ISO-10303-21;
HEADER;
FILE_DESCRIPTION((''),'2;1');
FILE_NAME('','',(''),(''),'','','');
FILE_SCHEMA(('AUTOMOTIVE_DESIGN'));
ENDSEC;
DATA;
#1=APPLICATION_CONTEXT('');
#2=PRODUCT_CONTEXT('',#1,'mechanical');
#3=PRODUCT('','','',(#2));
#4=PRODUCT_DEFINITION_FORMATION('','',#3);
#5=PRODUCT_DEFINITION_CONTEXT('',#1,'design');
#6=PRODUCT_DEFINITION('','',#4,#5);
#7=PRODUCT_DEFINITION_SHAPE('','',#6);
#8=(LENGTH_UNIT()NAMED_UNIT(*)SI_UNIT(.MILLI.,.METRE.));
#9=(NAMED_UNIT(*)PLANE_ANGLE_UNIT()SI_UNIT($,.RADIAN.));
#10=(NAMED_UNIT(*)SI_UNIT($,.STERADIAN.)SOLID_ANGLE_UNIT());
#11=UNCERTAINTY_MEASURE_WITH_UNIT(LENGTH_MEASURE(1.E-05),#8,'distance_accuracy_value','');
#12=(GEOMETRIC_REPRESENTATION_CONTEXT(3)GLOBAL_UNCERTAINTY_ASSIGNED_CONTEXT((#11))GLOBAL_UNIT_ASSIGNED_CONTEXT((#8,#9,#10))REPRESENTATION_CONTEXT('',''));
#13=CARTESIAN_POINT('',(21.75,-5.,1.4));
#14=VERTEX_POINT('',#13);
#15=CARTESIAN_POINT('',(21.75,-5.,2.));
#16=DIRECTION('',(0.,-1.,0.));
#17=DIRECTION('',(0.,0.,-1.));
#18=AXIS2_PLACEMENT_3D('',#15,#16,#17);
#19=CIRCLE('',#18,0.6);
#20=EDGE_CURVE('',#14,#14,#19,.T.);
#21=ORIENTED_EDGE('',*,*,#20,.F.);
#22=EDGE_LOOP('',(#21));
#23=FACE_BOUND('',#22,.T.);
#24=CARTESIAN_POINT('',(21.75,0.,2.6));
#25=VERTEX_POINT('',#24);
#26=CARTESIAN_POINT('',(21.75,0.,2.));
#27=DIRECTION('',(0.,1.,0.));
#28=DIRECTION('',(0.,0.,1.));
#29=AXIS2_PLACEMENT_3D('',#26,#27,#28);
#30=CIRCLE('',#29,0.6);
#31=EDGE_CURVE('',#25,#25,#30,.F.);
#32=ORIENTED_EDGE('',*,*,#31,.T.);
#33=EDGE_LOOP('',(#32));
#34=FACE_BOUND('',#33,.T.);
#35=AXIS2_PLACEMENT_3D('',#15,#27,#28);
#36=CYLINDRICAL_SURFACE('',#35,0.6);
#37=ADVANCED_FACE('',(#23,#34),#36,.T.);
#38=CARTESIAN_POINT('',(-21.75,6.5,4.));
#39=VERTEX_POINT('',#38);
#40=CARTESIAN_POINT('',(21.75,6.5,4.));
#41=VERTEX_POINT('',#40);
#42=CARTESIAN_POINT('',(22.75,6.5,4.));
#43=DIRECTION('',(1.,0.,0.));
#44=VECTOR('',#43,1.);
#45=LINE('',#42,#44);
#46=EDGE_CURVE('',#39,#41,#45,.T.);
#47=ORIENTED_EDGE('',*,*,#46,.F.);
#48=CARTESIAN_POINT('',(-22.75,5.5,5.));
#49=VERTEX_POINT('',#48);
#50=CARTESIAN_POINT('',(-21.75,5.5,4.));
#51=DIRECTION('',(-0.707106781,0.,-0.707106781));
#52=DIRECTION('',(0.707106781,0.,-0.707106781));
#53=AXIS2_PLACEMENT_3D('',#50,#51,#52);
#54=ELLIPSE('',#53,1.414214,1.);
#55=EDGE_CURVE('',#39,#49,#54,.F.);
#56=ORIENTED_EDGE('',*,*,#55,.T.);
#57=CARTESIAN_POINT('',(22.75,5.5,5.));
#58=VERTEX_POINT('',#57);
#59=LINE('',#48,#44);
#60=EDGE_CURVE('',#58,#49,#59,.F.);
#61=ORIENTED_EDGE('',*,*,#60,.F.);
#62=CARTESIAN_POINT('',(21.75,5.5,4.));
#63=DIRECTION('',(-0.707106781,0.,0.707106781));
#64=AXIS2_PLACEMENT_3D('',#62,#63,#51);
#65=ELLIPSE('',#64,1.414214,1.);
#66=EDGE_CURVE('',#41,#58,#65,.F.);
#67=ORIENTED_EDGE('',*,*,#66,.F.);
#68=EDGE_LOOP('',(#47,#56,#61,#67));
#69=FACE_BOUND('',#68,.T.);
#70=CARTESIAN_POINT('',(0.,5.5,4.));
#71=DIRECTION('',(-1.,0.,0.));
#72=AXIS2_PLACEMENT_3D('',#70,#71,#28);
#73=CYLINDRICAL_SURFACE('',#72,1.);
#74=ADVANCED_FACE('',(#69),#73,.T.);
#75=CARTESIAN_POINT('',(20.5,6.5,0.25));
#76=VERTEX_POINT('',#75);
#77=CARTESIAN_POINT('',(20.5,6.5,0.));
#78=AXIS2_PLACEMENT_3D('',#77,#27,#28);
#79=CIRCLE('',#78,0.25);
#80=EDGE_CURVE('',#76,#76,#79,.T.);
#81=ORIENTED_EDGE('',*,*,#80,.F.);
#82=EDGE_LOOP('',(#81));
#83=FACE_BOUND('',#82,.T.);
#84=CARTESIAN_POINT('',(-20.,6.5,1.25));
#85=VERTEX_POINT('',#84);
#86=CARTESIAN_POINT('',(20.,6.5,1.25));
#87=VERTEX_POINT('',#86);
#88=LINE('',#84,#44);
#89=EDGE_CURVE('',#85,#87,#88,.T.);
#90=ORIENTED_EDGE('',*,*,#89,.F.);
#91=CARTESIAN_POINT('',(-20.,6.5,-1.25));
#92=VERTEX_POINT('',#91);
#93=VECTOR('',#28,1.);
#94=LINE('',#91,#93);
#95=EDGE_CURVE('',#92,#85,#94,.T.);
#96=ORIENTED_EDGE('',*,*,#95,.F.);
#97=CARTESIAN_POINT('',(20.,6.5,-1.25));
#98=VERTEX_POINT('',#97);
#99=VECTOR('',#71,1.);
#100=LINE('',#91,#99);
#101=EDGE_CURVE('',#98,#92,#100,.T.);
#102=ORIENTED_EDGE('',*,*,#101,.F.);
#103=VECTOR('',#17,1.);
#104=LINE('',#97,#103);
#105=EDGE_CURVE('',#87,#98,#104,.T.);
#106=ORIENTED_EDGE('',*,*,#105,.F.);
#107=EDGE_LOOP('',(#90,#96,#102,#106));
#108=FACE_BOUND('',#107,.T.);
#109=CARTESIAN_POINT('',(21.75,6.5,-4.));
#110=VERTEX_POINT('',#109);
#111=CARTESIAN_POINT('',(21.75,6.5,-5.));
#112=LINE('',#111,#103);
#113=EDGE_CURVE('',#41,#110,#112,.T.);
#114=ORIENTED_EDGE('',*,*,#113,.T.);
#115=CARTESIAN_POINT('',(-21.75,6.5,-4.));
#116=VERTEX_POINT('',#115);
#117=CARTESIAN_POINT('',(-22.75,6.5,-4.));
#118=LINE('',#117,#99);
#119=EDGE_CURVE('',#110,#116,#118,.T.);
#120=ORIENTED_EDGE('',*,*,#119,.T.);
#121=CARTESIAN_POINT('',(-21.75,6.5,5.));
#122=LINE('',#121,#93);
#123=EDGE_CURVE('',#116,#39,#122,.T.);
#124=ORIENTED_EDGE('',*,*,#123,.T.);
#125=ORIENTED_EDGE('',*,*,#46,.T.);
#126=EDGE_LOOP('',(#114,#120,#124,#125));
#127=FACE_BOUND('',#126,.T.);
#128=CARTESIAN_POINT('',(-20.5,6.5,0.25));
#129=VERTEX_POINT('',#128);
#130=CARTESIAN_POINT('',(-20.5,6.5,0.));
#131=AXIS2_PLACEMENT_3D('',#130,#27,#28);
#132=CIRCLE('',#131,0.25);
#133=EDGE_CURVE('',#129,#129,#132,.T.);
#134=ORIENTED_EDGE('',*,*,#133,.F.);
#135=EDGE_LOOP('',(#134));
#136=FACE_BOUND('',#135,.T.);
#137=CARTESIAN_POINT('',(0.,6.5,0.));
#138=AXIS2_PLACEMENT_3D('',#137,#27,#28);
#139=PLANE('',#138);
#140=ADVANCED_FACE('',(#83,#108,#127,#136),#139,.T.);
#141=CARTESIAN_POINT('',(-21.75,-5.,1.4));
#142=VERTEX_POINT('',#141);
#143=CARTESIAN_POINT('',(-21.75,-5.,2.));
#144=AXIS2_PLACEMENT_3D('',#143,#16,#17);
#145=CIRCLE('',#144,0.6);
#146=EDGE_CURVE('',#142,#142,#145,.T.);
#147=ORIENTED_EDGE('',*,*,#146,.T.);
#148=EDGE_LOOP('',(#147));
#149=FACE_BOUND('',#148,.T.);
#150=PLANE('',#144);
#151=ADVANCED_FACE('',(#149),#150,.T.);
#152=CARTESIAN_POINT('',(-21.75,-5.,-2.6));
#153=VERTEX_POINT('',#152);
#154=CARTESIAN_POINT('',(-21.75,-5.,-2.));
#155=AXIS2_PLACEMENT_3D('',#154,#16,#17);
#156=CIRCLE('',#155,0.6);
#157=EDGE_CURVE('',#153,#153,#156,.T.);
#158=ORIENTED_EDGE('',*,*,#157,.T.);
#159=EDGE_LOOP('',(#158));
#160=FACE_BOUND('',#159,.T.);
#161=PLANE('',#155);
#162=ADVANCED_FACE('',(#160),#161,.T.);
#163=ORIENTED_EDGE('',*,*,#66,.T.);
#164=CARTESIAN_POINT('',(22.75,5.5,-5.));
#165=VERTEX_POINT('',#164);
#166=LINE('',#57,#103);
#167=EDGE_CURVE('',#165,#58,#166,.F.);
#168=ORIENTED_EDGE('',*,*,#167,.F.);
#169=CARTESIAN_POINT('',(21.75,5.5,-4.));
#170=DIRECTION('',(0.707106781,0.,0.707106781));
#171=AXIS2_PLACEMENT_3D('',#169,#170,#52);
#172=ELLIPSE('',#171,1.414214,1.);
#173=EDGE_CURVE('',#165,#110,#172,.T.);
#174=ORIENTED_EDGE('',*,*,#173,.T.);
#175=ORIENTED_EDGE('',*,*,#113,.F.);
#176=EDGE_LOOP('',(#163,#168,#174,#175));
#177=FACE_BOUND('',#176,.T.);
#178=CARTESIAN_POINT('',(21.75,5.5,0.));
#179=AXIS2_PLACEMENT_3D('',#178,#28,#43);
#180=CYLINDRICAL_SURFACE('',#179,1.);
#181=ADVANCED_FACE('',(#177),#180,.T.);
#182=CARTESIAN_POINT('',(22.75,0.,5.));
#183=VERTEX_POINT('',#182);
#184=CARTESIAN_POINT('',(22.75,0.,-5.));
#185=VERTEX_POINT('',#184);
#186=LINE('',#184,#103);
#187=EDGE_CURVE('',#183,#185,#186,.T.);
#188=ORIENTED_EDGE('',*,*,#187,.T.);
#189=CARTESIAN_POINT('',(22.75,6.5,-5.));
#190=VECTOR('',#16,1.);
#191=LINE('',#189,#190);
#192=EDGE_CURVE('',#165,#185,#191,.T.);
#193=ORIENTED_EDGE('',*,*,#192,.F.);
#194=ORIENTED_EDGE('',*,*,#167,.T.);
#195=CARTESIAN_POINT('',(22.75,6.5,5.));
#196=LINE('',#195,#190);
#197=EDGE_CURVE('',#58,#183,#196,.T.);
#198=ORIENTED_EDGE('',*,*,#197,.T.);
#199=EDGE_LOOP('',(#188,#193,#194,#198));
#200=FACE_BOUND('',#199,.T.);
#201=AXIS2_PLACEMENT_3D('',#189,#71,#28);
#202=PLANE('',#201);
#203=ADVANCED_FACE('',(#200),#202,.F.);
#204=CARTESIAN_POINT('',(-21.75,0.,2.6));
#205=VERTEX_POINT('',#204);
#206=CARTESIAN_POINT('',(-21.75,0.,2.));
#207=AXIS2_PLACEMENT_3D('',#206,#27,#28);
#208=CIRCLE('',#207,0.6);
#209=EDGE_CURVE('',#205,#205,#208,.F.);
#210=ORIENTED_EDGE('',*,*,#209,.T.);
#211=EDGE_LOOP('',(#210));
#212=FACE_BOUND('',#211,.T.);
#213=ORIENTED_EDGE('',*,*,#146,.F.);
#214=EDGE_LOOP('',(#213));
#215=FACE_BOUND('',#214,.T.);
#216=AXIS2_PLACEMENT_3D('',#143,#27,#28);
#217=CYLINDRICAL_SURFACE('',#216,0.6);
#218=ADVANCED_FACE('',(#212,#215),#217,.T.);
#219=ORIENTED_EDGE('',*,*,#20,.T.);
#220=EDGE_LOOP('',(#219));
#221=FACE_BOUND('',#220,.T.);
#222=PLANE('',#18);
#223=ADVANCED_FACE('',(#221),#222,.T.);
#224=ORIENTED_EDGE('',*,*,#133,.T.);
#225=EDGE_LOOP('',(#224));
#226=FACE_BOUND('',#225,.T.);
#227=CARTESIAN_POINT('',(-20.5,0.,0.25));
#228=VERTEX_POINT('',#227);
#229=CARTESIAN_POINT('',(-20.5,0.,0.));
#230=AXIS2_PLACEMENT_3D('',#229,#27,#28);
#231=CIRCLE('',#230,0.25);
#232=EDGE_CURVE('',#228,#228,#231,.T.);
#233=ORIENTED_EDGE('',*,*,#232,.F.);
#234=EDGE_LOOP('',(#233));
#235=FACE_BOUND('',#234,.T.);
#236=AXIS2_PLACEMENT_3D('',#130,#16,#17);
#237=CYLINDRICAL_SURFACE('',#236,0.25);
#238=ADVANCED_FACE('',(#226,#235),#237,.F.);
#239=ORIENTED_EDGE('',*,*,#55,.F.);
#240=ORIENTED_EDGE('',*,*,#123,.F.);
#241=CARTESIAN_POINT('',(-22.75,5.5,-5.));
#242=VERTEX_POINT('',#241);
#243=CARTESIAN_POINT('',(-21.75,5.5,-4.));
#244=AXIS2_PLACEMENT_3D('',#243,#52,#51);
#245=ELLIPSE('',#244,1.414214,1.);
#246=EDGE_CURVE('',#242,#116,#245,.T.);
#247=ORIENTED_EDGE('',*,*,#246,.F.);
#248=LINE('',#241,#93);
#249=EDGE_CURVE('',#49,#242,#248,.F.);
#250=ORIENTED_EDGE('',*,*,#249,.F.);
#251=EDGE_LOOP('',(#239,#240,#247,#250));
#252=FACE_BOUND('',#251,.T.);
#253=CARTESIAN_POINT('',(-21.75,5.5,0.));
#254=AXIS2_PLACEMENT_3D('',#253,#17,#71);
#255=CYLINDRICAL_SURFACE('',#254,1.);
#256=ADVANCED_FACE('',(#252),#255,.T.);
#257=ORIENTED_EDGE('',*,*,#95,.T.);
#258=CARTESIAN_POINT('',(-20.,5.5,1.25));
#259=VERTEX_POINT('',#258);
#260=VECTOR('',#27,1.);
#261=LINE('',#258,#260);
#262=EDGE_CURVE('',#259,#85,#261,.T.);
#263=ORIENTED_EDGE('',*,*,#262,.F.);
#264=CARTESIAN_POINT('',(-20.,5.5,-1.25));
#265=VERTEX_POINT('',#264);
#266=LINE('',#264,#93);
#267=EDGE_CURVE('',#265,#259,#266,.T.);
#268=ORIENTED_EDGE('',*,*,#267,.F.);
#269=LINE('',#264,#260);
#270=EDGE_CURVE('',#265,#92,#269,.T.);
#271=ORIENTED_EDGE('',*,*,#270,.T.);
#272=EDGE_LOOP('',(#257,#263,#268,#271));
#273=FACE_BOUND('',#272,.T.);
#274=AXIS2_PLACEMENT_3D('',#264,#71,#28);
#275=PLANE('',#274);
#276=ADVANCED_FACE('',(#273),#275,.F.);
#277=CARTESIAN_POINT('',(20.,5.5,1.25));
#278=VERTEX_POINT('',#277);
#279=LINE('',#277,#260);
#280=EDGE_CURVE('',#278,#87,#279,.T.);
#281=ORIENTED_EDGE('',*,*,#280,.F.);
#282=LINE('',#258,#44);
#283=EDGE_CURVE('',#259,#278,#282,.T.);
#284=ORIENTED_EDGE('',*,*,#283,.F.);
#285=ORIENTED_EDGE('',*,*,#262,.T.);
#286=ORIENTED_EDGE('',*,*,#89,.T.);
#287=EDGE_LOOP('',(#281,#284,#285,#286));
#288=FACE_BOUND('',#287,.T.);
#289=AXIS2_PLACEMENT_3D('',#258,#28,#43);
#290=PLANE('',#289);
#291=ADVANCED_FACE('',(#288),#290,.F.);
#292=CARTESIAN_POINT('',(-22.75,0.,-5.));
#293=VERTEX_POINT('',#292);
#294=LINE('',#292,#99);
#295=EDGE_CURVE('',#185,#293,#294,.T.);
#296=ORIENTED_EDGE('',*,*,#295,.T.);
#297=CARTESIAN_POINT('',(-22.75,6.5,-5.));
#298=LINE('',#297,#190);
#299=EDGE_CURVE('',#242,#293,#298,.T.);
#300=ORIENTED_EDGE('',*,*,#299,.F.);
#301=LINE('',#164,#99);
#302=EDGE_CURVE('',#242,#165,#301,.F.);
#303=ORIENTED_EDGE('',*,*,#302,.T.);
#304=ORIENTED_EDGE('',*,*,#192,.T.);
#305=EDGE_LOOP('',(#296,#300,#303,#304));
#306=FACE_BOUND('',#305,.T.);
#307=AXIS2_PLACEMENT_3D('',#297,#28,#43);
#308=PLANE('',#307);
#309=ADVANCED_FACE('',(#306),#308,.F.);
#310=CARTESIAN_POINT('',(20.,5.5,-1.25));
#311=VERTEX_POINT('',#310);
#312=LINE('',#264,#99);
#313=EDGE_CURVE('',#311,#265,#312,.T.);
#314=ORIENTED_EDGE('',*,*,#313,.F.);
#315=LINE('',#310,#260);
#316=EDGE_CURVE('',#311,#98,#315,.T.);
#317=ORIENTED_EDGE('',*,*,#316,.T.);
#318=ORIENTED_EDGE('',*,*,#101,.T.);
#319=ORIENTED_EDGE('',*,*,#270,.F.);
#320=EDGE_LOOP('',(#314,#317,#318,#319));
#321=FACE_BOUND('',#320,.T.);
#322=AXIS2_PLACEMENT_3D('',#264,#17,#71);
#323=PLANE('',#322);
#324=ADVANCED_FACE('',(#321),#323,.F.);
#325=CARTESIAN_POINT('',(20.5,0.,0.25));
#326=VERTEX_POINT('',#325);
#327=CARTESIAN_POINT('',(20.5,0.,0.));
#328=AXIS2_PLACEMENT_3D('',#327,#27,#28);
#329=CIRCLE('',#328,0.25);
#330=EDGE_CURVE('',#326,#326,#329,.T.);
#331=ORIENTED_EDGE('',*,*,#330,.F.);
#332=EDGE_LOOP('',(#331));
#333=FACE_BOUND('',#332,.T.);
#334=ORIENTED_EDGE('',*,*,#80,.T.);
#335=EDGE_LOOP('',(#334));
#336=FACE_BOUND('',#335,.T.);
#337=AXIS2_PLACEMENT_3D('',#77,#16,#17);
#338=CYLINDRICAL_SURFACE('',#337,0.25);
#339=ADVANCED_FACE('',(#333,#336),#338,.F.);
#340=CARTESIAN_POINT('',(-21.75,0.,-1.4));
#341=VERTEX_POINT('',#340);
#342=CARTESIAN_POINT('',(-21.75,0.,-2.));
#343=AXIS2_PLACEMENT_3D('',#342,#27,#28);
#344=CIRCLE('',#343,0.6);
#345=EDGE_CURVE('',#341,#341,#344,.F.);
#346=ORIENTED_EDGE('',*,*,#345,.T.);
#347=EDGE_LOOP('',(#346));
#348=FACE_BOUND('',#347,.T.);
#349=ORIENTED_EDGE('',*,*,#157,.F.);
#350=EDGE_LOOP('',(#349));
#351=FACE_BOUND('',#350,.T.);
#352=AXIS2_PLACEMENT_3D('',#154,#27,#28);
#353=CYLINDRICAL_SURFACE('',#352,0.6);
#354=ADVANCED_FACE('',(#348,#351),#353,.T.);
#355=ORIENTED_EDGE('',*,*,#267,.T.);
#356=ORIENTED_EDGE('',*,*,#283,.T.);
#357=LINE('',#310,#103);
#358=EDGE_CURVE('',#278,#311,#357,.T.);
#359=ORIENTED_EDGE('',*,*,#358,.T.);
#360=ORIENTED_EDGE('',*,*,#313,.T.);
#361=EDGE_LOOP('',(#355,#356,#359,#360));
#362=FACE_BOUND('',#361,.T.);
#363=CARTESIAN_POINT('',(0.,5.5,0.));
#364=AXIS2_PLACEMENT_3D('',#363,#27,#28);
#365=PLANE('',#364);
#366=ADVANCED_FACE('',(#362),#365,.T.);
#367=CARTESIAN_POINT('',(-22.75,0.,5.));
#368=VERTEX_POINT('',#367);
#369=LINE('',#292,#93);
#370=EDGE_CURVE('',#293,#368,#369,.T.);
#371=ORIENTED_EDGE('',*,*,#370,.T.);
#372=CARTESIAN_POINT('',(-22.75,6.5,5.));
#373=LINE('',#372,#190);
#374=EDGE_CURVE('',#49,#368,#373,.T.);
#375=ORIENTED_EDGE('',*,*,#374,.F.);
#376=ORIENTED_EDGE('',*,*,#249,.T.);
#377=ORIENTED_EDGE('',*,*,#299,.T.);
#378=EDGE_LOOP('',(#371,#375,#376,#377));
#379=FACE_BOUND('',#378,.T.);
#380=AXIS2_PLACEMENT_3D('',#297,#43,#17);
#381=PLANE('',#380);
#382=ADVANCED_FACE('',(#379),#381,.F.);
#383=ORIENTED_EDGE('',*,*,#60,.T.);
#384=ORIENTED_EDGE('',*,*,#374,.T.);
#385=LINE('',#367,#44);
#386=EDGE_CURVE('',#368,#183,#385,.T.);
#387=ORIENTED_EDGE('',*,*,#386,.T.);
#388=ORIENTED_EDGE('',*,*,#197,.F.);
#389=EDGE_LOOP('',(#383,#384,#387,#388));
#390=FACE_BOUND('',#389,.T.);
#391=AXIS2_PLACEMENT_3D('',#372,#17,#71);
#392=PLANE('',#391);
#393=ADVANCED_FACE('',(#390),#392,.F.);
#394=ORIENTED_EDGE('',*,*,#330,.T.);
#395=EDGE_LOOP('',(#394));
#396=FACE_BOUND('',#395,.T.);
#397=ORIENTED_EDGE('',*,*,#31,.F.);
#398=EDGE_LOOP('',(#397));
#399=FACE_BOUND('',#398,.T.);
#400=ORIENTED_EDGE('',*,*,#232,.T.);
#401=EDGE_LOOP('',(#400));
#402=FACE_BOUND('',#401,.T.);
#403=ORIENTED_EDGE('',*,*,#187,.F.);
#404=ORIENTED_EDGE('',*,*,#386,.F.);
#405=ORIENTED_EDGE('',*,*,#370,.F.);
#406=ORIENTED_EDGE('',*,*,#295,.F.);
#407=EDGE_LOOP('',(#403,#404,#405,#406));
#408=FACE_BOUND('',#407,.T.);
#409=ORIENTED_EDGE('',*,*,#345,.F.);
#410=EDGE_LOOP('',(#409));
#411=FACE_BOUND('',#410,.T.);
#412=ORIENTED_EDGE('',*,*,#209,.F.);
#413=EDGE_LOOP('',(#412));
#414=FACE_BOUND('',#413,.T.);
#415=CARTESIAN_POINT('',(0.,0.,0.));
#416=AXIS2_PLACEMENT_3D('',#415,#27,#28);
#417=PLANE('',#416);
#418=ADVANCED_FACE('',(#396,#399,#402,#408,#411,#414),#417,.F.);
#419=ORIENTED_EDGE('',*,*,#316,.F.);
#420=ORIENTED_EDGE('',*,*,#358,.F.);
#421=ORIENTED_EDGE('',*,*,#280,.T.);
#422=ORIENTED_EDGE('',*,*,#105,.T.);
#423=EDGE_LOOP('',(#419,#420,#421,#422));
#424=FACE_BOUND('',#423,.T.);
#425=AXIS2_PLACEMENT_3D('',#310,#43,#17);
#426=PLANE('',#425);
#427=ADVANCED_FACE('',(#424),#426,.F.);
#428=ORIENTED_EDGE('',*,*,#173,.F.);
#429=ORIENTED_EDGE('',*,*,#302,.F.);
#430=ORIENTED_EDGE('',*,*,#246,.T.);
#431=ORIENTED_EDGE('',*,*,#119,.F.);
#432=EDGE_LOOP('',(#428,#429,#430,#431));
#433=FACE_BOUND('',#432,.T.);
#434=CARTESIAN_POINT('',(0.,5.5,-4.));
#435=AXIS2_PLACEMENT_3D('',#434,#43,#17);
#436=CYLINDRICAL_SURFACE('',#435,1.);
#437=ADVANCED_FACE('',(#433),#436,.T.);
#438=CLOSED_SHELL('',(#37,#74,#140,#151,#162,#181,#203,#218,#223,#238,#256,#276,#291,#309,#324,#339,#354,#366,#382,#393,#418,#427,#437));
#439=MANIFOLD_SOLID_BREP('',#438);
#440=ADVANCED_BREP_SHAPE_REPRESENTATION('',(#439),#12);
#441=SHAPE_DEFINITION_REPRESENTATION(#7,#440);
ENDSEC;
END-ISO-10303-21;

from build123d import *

# Parameters (mm, degrees)
SKETCH1_W           = 45.5
SKETCH1_H           = 10
SKETCH1_R           = 0.25
BOSS_EXTRUDE1_DEPTH = 6.5
SKETCH2_R           = 0.6
BOSS_EXTRUDE2_DEPTH = 5
SKETCH4_W           = 40
SKETCH4_H           = 2.5
CUT_EXTRUDE1_DEPTH  = 1
FILLET1_R           = 1


with BuildPart() as part:
    # Sketch1 → Boss-Extrude1 (new body)
    with BuildSketch(Plane(origin=(0, 0, 0), x_dir=(1, 0, 0), z_dir=(0, 1, 0))):
        Rectangle(SKETCH1_W, SKETCH1_H)
        with Locations(Location((-20.5, 0, 0), (0, 0, 270))):
            Circle(SKETCH1_R, mode=Mode.SUBTRACT)
        with Locations(Location((20.5, 0, 0), (0, 0, 270))):
            Circle(SKETCH1_R, mode=Mode.SUBTRACT)
    extrude(amount=BOSS_EXTRUDE1_DEPTH)

    # Sketch2 → Boss-Extrude2 (add)
    with BuildSketch(Plane.XZ):
        with Locations(Location((-21.75, 2, 0), (0, 0, 90))):
            Circle(SKETCH2_R)
        with Locations(Location((-21.75, -2, 0), (0, 0, 90))):
            Circle(SKETCH2_R)
        with Locations(Location((21.75, 2, 0), (0, 0, 90))):
            Circle(SKETCH2_R)
    extrude(amount=BOSS_EXTRUDE2_DEPTH)

    # Sketch4 → Cut-Extrude1 (cut)
    with BuildSketch(Plane(origin=(0, 6.5, 0), x_dir=(1, 0, 0), z_dir=(0, 1, 0))):
        Rectangle(SKETCH4_W, SKETCH4_H)
    extrude(amount=-CUT_EXTRUDE1_DEPTH, mode=Mode.SUBTRACT)

    # Fillet1
    fillet1_edges = [part.edges().sort_by_distance(p)[0] for p in [
        (22.75, 6.5, 0),
        (0, 6.5, -5),
        (-22.75, 6.5, 0),
        (0, 6.5, 5),
    ]]
    fillet(fillet1_edges, radius=FILLET1_R)


solid = part.part
